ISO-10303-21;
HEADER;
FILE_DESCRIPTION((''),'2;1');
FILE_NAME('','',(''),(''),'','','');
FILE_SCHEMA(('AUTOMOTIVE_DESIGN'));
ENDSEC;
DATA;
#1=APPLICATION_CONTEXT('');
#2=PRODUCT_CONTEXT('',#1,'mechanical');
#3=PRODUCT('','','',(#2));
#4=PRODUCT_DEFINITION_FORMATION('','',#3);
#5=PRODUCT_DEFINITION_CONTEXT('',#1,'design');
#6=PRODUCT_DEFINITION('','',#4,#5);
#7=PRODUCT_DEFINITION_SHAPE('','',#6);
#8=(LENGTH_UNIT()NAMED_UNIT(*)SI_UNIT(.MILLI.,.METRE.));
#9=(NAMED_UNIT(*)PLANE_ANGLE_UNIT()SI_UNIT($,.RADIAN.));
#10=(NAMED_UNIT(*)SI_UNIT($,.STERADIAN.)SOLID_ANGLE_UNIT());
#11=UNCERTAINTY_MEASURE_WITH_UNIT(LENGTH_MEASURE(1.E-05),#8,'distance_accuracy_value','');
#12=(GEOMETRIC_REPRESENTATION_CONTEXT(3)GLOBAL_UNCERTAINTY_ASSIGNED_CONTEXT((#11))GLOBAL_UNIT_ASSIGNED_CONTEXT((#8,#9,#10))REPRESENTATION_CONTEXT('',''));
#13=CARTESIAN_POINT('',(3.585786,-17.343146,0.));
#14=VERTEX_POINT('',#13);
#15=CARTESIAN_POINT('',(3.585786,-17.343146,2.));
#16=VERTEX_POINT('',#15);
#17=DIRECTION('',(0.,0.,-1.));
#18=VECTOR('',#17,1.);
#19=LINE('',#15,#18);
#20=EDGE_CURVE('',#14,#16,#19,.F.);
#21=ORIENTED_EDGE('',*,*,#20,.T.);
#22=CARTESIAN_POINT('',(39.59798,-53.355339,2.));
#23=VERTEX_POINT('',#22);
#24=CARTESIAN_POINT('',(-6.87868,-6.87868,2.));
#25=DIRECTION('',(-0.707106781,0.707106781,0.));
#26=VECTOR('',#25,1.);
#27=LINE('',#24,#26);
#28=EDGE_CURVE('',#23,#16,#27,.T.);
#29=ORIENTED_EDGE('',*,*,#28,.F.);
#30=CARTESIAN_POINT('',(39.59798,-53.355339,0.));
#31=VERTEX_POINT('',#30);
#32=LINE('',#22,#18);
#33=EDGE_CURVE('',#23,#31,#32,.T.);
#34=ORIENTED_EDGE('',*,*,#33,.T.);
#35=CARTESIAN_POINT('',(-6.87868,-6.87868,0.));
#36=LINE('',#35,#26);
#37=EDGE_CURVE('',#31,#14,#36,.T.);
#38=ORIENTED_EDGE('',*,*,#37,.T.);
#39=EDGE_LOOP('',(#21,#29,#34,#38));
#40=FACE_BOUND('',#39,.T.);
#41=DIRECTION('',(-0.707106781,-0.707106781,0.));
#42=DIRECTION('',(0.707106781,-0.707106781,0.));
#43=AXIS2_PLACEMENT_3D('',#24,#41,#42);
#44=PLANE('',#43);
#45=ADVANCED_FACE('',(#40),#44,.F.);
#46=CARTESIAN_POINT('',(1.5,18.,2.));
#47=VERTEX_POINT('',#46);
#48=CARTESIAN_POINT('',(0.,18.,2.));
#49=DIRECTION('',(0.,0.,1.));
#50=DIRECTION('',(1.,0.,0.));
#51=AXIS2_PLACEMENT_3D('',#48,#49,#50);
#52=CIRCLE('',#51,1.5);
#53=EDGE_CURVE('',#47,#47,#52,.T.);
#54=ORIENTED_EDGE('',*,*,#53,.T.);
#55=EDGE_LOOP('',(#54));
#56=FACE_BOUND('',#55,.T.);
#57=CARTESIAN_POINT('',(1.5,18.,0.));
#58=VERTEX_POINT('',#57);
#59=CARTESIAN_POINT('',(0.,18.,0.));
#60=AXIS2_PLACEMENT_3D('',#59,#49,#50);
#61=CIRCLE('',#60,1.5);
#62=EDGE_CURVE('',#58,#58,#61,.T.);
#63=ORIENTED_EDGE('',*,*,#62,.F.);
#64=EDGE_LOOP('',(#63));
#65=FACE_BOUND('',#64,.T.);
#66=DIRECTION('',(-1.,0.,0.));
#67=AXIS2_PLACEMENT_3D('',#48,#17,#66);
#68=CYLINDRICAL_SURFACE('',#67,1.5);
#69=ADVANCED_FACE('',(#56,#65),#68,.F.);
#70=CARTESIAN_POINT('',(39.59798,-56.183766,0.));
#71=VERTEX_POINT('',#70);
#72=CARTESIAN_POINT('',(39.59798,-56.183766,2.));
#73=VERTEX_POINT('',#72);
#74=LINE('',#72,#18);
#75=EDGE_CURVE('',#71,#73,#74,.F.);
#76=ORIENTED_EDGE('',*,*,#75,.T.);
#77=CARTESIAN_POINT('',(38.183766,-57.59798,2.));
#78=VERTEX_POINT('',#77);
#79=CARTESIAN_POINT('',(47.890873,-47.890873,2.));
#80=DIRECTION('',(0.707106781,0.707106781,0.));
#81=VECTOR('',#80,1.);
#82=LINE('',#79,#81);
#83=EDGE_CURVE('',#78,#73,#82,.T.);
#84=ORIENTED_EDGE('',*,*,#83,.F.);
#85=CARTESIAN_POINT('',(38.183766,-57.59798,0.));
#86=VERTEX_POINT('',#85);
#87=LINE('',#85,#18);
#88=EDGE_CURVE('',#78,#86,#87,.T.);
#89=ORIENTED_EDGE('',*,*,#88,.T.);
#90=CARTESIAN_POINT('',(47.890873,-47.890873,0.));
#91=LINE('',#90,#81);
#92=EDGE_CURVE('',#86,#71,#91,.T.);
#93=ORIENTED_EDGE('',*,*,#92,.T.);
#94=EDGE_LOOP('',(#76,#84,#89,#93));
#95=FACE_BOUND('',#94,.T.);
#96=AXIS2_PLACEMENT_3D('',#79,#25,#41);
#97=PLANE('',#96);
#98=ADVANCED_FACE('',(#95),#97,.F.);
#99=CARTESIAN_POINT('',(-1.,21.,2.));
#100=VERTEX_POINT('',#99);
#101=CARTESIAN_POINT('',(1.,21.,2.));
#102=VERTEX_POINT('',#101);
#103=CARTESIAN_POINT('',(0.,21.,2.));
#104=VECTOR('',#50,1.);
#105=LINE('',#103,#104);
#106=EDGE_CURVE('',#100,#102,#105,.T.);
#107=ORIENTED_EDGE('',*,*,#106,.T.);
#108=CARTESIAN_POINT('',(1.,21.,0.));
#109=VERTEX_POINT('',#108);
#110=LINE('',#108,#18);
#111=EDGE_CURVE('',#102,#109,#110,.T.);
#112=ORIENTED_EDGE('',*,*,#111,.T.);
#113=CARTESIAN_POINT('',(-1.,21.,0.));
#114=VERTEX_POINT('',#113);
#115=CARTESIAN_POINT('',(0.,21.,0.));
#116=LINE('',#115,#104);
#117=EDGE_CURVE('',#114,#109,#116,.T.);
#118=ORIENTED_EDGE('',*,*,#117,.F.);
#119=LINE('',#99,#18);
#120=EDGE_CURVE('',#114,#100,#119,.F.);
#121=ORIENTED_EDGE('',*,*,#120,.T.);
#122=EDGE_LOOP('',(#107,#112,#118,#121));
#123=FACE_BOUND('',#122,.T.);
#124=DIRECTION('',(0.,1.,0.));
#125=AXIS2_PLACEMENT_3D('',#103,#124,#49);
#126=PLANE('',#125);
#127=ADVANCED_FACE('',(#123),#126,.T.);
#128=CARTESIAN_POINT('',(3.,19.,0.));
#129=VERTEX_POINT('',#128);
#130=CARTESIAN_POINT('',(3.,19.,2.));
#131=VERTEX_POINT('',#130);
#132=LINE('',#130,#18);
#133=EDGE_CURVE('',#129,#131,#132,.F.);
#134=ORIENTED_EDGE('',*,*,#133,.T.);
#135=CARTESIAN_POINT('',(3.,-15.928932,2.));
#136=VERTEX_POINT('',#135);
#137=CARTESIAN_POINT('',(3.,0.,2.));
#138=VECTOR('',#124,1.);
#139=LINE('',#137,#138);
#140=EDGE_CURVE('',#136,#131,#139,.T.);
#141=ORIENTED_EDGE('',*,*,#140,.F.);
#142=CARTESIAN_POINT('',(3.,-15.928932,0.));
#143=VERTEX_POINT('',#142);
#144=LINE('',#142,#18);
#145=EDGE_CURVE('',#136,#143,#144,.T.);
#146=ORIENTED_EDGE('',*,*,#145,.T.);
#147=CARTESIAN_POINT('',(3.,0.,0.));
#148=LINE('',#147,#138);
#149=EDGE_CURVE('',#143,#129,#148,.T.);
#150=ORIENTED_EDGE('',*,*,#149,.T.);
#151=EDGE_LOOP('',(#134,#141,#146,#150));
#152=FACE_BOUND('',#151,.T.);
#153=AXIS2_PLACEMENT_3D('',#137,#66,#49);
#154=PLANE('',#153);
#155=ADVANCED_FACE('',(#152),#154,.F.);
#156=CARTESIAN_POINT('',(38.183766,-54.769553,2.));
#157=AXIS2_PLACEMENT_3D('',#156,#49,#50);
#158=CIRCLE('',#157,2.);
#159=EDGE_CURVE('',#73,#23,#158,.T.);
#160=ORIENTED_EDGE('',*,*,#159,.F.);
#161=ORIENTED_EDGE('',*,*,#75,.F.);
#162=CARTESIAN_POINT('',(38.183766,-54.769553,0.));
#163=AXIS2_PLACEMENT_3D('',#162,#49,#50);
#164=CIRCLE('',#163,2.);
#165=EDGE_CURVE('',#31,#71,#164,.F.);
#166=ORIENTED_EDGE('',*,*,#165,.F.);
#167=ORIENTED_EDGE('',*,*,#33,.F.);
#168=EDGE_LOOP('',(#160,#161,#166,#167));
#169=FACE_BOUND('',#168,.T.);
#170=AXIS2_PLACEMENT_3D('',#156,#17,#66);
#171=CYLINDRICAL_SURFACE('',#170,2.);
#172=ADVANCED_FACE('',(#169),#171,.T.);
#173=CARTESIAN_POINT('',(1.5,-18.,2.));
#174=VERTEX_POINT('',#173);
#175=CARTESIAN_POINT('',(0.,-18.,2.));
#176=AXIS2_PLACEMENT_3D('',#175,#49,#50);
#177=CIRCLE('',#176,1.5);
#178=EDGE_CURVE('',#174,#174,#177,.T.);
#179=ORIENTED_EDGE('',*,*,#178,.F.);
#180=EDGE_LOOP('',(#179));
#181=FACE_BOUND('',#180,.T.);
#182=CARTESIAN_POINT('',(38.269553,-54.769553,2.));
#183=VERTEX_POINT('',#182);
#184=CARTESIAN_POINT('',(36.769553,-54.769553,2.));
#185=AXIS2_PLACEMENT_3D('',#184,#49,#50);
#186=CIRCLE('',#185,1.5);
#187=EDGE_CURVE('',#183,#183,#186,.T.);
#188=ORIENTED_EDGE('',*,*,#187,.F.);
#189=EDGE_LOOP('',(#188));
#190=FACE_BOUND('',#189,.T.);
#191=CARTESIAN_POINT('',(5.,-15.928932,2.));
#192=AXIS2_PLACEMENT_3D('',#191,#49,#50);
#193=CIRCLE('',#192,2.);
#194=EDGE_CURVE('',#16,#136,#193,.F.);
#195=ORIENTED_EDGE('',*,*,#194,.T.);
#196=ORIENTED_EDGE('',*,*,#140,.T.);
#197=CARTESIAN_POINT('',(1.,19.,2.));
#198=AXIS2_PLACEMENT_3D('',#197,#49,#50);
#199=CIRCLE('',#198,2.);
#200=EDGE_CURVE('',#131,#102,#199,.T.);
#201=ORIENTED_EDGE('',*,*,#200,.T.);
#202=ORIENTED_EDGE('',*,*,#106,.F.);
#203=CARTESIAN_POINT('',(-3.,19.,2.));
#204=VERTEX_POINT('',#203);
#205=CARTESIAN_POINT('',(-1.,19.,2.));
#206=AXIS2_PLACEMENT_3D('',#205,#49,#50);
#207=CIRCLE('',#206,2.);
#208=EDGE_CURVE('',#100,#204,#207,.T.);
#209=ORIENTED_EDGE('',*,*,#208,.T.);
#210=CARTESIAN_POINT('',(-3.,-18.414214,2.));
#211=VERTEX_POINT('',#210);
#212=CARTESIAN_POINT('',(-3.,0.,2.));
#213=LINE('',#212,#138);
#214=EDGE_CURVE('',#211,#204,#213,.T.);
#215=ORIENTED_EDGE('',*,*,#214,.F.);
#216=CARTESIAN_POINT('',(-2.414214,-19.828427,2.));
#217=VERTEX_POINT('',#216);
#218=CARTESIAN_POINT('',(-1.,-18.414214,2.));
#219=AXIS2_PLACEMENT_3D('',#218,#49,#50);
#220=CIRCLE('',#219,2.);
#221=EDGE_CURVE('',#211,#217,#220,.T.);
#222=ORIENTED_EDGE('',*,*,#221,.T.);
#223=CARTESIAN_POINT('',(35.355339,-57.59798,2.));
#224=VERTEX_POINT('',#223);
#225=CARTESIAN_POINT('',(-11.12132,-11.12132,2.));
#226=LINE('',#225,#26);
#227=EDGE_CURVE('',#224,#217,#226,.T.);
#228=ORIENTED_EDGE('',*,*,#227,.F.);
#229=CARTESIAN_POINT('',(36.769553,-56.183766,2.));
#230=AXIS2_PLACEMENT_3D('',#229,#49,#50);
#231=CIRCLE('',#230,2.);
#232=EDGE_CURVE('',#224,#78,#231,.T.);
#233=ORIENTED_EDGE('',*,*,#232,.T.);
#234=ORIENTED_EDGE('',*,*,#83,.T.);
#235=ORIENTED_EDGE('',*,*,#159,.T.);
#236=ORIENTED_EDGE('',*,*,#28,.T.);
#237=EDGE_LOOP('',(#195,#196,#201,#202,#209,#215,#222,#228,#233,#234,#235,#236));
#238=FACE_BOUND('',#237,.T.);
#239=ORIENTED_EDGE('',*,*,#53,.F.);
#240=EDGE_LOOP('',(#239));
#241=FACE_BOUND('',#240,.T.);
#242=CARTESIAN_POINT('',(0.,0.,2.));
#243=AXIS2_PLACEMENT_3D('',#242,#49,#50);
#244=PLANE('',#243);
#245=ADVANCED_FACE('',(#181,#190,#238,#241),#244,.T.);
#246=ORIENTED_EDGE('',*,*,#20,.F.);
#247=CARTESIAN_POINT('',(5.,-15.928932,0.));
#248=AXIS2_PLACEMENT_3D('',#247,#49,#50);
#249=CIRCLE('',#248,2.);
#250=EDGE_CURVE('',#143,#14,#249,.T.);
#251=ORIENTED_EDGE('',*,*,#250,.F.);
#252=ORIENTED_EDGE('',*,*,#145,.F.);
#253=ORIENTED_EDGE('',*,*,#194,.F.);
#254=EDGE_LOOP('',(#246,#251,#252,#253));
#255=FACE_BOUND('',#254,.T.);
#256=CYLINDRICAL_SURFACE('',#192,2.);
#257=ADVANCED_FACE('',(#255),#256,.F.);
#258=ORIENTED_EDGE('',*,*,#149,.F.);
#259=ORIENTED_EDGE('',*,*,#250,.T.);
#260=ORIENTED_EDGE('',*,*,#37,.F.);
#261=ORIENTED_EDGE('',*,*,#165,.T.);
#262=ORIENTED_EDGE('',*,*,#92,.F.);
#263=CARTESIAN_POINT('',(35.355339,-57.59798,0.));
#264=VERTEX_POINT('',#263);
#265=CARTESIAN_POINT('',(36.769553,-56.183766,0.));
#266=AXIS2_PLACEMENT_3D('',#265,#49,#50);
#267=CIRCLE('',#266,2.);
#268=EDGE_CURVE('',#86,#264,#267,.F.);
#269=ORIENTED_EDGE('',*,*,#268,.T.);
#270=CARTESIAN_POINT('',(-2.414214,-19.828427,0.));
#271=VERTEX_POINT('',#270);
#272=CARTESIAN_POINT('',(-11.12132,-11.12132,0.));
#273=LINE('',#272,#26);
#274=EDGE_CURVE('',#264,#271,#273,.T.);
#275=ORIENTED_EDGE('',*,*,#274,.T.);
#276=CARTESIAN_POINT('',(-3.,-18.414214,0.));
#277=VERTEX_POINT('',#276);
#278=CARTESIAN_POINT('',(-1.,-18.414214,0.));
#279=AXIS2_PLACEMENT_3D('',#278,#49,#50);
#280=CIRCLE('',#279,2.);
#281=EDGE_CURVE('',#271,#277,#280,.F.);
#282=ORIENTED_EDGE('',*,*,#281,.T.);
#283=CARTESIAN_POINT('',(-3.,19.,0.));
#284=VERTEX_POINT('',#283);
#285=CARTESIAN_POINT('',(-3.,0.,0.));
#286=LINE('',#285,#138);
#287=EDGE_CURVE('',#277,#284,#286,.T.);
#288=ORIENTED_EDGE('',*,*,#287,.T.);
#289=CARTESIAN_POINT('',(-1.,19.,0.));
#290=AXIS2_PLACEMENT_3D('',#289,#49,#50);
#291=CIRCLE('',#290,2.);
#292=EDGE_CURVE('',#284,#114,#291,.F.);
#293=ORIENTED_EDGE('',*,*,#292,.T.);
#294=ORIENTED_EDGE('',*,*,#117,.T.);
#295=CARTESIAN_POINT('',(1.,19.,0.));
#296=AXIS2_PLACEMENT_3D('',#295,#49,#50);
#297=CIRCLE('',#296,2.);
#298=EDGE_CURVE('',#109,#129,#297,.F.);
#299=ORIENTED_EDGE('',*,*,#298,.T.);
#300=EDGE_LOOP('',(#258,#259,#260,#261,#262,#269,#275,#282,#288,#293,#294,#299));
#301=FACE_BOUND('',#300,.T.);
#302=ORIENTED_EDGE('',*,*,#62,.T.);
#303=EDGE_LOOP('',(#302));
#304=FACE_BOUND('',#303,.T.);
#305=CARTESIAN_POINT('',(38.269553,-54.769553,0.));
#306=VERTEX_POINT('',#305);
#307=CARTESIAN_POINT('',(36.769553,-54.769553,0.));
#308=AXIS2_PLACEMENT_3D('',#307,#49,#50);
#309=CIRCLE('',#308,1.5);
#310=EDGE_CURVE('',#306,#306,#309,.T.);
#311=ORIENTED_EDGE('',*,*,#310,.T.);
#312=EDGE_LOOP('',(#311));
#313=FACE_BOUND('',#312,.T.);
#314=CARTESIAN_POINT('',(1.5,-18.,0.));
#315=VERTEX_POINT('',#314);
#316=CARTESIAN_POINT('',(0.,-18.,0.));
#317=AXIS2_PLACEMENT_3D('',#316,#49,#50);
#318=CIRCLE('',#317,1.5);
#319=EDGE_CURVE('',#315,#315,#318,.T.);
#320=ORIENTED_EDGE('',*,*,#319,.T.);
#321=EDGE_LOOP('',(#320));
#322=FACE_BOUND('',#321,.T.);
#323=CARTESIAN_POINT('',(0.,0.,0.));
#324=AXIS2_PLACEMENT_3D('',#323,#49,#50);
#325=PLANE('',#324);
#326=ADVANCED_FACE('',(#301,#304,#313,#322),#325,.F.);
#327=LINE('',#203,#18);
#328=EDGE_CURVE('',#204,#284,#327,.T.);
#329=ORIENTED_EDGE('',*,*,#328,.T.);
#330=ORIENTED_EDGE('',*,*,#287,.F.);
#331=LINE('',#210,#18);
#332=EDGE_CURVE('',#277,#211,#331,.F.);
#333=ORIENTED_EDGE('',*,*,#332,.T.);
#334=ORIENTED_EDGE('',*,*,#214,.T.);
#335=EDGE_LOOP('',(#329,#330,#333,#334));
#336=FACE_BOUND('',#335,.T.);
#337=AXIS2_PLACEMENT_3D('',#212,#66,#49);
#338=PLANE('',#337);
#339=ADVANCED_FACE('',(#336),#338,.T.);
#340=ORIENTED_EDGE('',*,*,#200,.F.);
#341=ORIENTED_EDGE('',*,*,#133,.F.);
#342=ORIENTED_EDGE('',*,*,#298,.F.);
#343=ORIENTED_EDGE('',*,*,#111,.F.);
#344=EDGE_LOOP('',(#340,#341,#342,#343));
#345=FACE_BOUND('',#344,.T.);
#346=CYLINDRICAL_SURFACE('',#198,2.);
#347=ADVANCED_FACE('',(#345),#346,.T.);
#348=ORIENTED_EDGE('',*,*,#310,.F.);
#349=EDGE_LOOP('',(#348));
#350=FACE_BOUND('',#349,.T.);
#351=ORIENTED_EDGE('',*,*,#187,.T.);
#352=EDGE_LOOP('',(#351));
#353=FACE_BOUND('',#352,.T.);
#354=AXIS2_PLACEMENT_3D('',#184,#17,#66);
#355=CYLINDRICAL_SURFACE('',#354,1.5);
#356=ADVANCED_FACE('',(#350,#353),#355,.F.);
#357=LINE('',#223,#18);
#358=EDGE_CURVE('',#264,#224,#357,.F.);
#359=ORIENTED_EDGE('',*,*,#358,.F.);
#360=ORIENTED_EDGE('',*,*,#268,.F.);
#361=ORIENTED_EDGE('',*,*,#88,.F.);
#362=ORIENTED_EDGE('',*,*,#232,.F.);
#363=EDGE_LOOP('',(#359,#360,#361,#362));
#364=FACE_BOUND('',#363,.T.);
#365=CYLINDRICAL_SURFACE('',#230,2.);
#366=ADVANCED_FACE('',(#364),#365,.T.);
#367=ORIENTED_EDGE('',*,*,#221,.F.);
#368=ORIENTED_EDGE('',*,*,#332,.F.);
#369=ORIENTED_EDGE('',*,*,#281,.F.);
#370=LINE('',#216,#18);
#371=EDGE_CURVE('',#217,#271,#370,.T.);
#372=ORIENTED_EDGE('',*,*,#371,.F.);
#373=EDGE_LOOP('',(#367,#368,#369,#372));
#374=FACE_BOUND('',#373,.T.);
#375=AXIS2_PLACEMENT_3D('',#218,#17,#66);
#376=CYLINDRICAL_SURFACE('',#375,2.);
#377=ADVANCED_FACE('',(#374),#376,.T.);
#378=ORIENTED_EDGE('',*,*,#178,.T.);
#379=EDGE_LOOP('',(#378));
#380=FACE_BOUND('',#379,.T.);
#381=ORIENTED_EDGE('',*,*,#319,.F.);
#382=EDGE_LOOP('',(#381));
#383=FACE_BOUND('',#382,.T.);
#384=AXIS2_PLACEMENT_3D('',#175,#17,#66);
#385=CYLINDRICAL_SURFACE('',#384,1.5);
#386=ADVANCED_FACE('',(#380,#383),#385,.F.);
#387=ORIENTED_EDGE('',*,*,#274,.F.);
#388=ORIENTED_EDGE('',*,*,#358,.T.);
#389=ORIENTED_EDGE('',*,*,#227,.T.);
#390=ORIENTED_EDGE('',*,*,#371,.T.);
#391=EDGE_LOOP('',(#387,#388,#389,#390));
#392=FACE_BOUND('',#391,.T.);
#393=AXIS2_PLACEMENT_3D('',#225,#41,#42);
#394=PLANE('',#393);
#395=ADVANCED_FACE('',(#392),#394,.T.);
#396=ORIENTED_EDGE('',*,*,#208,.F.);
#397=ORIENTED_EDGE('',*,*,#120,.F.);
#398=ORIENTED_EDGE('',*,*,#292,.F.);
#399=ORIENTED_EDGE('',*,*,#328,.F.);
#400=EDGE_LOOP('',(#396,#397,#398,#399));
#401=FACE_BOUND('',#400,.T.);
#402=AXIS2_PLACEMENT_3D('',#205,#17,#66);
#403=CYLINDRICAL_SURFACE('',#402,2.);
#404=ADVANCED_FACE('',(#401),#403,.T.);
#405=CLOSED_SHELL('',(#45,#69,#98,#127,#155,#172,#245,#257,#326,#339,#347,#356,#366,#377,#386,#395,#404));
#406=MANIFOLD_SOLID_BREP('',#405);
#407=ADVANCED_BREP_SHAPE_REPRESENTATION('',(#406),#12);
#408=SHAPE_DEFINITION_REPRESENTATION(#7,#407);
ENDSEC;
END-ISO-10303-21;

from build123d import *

# Parameters (mm, degrees)
ESQUISSE2_R        = 1.5
BOSS_EXTRU_3_DEPTH = 2
CONG_3_R           = 2


with BuildPart() as part:
    # Esquisse2 → Boss.-Extru.3 (new body)
    with BuildSketch(Plane.XY):
        Polygon((-3, 21), (-3, -19.242640687), (36.769552622, -59.012193309), (41.012193309, -54.769552622), (3, -16.757359313), (3, 21), align=None)
        with Locations((36.769552622, -54.769552622)):
            Circle(ESQUISSE2_R, mode=Mode.SUBTRACT)
        with Locations((0, -18)):
            Circle(ESQUISSE2_R, mode=Mode.SUBTRACT)
        with Locations((0, 18)):
            Circle(ESQUISSE2_R, mode=Mode.SUBTRACT)
    extrude(amount=BOSS_EXTRU_3_DEPTH)

    # Congé3
    cong_3_edges = [part.edges().sort_by_distance(p)[0] for p in [
        (-3, -19.242640687, 1),
        (-3, 21, 1),
        (3, 21, 1),
        (3, -16.757359313, 1),
        (41.012193309, -54.769552622, 1),
        (36.769552622, -59.012193309, 1),
    ]]
    fillet(cong_3_edges, radius=CONG_3_R)


solid = part.part
